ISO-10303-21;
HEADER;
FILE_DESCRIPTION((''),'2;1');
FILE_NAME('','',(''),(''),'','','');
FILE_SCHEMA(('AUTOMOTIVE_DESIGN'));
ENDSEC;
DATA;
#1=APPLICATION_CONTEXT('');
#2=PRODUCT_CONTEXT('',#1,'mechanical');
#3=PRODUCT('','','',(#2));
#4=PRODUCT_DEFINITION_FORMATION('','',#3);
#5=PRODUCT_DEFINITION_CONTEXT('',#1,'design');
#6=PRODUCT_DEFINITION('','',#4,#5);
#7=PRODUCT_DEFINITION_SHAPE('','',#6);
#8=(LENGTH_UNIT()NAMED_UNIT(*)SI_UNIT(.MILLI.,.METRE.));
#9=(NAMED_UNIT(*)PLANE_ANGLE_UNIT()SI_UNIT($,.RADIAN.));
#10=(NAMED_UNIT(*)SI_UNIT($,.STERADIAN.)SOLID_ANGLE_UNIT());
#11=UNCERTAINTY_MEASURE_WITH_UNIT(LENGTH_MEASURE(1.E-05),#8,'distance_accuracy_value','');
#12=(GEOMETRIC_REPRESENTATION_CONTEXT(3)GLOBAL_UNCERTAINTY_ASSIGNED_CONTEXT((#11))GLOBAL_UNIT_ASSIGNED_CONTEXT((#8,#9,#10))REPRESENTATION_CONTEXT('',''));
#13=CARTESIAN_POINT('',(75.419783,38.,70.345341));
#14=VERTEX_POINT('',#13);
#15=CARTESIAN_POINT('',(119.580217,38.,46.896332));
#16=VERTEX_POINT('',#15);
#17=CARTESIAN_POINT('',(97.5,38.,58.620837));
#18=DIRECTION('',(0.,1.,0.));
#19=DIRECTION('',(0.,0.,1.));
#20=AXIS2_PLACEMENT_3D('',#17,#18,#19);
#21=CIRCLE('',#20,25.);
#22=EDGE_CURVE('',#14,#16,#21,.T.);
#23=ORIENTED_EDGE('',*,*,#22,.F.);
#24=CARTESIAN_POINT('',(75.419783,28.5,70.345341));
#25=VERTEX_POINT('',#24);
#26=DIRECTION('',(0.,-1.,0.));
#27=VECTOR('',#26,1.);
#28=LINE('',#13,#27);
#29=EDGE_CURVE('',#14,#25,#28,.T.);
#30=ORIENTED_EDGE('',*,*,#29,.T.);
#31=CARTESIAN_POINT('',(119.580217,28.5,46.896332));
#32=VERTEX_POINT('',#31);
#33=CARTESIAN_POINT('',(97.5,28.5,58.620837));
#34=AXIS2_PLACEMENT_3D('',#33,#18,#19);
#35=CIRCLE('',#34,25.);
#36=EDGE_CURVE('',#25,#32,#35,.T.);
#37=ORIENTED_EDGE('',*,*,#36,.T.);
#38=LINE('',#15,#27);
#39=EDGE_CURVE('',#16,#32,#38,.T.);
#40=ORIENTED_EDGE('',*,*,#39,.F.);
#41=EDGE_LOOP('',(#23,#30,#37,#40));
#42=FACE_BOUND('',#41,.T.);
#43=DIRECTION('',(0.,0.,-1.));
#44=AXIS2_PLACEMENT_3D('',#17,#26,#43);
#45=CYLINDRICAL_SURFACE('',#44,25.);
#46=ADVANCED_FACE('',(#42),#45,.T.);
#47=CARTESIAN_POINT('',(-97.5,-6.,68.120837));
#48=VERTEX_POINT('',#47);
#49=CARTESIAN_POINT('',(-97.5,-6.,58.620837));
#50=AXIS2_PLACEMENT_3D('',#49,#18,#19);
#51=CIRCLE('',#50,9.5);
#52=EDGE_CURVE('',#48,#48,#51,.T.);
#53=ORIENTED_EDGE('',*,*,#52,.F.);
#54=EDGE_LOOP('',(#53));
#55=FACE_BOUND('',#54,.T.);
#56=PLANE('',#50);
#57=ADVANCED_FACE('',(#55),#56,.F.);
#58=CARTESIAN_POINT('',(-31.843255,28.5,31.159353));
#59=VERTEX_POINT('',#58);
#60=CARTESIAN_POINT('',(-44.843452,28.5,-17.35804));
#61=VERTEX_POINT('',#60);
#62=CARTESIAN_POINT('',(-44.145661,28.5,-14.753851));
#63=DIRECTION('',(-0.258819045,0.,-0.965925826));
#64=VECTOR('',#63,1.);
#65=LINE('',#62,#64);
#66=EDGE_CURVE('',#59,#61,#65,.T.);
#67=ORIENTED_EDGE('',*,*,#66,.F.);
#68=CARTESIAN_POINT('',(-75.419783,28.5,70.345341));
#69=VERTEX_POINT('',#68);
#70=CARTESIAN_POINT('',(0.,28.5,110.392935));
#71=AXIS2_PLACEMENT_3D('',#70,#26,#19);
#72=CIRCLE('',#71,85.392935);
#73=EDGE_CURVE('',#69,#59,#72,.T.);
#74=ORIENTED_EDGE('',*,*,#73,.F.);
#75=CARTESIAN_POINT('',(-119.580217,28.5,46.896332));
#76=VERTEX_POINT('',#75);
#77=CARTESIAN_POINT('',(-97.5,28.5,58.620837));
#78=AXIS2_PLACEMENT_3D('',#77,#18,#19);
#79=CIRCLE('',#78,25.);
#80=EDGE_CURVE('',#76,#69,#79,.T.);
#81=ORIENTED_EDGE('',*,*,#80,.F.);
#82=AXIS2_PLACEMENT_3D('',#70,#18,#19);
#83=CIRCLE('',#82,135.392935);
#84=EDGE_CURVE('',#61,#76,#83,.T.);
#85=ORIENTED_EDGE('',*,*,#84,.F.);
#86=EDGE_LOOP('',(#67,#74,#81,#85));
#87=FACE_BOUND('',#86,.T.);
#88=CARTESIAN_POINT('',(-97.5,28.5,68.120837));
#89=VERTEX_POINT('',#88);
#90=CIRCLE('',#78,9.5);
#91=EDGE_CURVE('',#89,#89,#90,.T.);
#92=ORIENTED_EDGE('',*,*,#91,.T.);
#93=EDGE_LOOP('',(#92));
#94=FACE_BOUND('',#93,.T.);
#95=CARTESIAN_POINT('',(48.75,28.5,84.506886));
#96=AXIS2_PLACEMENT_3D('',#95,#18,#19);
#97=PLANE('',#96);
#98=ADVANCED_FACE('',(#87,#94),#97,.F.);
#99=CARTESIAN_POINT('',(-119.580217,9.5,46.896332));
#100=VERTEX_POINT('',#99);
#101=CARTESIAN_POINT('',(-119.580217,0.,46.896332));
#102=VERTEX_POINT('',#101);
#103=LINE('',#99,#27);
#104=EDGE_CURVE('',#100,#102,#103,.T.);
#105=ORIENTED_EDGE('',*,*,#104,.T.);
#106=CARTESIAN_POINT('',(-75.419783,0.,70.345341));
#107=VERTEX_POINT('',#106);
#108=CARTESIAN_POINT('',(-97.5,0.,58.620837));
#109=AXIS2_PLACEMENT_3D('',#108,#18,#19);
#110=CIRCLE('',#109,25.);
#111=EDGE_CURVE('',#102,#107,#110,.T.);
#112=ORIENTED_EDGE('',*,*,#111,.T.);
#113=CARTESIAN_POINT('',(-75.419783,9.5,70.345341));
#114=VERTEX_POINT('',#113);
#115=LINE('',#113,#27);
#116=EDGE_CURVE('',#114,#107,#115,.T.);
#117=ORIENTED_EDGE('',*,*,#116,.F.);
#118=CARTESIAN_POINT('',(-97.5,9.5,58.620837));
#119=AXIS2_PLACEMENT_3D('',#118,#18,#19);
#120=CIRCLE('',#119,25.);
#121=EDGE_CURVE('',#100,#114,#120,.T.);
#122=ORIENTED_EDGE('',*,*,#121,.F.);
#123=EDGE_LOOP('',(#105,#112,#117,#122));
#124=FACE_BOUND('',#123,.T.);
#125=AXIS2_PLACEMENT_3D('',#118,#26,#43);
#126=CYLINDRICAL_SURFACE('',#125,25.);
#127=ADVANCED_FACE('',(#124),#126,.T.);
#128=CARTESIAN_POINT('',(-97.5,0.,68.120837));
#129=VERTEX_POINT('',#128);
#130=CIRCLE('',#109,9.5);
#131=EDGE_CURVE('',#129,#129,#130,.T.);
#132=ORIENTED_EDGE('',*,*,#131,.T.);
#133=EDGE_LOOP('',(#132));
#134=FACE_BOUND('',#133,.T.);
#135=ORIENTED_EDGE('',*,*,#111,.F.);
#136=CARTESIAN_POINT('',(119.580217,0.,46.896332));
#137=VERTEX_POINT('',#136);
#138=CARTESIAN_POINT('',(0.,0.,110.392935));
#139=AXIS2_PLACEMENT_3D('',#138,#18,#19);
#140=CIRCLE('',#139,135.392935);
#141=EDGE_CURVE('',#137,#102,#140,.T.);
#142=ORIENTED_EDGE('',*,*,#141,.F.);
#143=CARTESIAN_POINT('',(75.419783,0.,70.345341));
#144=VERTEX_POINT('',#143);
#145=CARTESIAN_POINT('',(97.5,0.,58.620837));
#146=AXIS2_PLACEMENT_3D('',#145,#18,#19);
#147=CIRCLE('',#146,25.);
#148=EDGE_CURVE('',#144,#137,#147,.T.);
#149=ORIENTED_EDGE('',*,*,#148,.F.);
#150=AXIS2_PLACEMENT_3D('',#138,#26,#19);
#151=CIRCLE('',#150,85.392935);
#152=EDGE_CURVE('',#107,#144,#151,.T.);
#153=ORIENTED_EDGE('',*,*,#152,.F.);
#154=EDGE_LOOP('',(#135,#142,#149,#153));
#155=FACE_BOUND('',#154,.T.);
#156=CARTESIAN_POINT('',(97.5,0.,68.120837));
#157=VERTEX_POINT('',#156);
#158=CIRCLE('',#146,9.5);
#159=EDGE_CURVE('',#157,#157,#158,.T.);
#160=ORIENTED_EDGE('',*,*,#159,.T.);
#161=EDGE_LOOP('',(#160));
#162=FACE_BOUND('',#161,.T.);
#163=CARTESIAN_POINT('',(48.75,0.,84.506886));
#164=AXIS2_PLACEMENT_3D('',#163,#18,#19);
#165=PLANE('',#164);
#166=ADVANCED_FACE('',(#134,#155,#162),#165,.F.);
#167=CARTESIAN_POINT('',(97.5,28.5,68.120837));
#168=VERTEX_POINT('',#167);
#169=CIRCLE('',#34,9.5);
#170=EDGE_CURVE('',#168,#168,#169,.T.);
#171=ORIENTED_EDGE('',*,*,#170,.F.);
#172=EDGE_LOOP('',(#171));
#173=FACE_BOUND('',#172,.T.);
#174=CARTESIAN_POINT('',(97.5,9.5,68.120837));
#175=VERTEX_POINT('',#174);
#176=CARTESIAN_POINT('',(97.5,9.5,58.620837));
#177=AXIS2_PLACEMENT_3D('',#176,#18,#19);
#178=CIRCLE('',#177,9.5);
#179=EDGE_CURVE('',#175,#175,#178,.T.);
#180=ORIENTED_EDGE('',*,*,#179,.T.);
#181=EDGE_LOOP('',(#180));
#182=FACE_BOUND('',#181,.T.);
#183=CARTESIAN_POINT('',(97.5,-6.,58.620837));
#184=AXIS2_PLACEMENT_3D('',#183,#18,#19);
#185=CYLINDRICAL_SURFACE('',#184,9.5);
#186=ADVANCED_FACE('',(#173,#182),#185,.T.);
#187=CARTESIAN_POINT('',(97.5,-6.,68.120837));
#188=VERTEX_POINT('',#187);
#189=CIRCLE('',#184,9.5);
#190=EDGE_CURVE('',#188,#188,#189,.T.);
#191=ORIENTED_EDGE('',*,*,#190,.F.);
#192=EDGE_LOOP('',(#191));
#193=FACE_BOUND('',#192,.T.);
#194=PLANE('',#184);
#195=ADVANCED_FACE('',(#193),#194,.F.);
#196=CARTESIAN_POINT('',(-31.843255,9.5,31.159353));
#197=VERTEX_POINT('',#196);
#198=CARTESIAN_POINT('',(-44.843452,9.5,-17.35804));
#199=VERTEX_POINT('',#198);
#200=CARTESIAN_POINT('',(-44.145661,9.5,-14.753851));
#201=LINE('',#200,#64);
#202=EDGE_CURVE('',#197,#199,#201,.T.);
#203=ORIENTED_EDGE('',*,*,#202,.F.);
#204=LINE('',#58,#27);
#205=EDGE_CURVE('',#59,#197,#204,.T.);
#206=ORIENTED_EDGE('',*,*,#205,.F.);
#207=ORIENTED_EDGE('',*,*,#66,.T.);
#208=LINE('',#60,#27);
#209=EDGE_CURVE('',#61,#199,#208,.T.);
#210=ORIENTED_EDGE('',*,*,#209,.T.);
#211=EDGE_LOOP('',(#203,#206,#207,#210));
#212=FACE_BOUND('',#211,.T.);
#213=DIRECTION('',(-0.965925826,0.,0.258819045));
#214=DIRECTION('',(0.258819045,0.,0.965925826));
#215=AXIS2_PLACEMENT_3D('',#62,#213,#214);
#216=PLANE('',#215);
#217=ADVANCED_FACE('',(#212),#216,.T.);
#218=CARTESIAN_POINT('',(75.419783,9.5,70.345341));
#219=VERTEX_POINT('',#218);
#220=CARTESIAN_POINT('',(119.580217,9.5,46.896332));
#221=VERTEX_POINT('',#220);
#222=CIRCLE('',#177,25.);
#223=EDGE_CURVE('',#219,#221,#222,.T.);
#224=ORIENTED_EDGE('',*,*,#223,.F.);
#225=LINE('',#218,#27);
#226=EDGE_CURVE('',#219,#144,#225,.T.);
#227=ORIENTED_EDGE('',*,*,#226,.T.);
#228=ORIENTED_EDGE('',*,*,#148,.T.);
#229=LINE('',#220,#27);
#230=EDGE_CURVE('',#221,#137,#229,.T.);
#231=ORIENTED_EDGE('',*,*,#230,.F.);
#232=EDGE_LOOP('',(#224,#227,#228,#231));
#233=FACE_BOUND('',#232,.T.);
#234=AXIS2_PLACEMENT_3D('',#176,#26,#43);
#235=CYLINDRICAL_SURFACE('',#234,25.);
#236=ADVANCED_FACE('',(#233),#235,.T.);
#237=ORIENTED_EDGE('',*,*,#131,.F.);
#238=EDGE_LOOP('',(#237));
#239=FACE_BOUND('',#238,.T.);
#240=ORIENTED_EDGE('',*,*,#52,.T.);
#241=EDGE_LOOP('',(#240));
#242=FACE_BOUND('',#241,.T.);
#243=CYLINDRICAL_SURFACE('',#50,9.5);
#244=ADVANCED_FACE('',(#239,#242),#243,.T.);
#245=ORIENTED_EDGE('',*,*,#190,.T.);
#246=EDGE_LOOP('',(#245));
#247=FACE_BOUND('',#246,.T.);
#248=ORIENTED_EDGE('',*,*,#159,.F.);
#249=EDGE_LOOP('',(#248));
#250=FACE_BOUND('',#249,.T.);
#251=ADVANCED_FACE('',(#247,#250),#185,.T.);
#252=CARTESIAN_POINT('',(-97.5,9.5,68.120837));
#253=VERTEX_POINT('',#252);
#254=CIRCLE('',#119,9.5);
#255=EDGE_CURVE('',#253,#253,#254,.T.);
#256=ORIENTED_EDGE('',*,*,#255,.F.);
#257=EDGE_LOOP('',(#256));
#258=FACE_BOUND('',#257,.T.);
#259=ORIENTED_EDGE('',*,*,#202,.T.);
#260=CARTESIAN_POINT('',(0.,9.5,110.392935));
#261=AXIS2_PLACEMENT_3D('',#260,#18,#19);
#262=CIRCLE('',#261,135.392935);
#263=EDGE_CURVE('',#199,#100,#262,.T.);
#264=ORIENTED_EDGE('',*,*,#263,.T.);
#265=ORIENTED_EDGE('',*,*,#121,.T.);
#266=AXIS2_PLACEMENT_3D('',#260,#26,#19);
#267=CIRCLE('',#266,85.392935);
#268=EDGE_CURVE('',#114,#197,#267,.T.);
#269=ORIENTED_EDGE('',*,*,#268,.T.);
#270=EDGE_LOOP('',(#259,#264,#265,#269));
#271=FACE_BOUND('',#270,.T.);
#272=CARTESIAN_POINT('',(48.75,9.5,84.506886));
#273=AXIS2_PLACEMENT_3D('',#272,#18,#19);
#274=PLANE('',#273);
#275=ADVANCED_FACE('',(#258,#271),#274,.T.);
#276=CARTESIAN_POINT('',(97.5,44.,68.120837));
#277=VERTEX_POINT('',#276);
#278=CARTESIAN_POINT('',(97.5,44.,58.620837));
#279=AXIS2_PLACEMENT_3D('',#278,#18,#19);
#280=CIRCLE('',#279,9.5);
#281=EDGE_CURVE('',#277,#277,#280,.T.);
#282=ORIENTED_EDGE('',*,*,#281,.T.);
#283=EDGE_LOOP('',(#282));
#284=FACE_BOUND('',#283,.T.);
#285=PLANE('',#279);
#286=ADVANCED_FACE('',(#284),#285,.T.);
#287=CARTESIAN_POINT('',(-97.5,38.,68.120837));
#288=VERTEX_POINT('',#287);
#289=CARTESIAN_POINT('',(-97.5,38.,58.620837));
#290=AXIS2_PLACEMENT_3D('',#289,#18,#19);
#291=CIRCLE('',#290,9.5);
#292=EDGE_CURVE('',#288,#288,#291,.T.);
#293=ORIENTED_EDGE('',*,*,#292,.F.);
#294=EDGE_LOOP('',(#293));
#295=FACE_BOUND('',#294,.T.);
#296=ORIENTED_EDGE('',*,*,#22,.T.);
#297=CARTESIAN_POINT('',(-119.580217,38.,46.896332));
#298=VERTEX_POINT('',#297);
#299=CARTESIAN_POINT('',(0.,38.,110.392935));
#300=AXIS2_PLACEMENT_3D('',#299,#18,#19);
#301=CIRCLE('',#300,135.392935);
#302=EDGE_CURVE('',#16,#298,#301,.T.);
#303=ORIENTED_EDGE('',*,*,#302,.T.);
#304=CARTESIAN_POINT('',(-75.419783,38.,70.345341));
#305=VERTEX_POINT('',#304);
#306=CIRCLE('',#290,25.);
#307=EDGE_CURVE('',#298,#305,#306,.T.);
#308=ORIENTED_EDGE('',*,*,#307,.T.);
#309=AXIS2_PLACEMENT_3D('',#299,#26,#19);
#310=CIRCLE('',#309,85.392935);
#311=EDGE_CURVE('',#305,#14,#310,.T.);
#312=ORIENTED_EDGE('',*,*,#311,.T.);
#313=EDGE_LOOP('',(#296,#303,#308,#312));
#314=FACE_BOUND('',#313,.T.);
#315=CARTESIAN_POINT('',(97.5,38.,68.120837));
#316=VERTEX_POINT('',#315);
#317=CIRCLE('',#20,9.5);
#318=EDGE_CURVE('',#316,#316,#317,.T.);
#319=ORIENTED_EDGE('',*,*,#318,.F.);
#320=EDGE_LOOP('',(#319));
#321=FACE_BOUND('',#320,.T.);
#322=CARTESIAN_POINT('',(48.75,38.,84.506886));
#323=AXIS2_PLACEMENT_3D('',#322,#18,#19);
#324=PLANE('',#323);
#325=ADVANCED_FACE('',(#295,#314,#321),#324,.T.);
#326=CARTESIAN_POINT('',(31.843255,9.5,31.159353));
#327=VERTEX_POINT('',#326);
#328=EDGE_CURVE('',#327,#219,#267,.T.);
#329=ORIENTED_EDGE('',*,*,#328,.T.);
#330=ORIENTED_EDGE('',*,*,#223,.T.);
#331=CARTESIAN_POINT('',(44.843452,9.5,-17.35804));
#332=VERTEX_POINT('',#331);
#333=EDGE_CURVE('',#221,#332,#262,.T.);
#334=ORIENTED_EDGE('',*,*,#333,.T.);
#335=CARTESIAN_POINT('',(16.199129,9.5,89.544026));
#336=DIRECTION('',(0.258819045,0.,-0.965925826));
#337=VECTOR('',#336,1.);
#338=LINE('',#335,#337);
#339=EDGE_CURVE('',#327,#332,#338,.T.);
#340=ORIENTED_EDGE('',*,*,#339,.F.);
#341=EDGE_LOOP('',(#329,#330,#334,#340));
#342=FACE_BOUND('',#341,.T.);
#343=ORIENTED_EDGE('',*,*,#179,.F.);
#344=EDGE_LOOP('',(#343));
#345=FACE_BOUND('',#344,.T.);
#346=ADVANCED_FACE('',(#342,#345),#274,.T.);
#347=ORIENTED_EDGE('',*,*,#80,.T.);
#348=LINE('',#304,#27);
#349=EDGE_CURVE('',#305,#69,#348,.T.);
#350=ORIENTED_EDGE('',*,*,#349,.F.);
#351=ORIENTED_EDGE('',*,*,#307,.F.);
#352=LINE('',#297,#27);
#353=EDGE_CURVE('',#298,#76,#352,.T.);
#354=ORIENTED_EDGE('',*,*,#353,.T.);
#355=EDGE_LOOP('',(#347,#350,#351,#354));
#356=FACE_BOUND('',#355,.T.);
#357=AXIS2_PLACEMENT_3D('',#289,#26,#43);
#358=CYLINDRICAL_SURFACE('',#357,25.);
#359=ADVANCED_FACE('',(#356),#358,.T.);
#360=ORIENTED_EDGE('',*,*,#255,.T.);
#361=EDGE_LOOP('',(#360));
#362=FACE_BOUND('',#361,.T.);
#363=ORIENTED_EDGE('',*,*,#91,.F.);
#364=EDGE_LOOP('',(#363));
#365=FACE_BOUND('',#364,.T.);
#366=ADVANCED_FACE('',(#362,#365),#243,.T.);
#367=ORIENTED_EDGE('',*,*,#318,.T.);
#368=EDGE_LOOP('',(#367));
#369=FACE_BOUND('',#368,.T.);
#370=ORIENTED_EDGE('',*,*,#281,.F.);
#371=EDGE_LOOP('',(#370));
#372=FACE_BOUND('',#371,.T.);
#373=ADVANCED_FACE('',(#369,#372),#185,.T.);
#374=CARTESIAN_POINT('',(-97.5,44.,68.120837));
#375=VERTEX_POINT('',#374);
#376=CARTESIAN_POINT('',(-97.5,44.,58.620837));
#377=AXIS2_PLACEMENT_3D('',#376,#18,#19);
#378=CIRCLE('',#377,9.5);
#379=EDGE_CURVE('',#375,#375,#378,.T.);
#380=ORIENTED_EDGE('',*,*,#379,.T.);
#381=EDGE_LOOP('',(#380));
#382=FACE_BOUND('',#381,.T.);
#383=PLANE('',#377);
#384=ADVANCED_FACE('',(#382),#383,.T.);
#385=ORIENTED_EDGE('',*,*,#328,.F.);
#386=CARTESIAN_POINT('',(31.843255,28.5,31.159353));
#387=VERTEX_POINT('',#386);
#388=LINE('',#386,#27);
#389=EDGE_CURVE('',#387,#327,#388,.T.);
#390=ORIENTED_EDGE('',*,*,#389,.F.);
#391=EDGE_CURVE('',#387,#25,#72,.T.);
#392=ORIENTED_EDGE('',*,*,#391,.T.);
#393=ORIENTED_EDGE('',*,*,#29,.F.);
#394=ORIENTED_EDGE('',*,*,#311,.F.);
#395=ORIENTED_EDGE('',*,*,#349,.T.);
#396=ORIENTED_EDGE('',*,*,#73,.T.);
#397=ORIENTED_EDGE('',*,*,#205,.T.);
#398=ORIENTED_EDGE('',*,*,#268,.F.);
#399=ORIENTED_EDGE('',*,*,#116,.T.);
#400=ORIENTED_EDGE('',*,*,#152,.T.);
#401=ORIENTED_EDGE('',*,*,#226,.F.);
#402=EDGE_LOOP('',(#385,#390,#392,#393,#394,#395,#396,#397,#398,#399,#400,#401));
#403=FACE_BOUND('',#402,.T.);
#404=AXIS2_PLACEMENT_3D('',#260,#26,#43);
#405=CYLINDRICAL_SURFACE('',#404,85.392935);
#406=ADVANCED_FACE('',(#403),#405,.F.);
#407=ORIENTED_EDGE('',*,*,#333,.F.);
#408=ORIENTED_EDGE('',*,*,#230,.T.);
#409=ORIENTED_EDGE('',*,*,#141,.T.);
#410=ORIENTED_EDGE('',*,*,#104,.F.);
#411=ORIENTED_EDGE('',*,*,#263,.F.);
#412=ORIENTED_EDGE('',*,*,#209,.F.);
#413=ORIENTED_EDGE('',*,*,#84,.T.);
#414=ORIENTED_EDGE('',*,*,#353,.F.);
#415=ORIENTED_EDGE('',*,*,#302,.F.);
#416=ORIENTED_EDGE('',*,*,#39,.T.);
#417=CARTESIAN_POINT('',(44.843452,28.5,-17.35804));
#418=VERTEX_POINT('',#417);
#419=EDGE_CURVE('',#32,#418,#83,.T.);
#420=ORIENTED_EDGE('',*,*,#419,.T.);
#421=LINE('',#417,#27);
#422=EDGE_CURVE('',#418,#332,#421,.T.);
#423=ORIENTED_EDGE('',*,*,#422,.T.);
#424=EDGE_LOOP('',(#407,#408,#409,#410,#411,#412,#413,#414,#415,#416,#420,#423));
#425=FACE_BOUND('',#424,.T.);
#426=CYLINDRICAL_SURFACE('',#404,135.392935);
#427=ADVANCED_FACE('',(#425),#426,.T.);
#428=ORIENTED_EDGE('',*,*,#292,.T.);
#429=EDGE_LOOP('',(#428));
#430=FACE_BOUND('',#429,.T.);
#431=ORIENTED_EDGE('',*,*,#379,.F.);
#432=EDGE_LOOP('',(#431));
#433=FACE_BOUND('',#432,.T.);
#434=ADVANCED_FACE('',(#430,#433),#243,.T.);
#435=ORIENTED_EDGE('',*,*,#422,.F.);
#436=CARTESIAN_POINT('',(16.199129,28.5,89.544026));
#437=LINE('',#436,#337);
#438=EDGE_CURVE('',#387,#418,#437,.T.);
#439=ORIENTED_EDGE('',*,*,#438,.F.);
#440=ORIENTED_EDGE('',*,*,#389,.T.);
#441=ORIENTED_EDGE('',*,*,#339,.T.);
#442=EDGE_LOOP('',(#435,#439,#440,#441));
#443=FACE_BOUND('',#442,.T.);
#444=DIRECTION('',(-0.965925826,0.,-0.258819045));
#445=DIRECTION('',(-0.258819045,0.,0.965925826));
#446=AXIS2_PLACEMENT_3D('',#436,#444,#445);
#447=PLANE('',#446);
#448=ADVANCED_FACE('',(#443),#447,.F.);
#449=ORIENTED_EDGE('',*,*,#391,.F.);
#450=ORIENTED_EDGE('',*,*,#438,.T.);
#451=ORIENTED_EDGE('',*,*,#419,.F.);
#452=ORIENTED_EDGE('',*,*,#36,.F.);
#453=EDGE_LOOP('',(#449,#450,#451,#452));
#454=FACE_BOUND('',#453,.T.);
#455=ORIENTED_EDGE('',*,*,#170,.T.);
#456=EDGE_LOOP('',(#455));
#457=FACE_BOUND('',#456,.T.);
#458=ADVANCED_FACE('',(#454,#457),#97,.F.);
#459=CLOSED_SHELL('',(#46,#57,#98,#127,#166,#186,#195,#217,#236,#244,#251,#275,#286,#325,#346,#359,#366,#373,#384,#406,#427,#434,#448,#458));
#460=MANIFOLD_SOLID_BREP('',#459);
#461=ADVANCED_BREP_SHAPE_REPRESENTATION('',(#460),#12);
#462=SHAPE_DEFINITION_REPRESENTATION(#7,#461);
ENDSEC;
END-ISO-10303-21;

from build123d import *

# Parameters (mm, degrees)
BOSS_EXTRUDE1_DEPTH = 9.5
BOSS_EXTRUDE2_DEPTH = 19
BOSS_EXTRUDE3_DEPTH = 9.5
SKETCH5_R           = 9.5
CUT_EXTRUDE1_DEPTH  = 154.110072724
BOSS_EXTRUDE4_START = 6
SKETCH5_2_R         = 9.5
BOSS_EXTRUDE4_DEPTH = 50


with BuildPart() as part:
    # Sketch2 → Boss-Extrude1 (new body)
    with BuildSketch(Plane(origin=(0, 0, 0), x_dir=(1, 0, 0), z_dir=(0, 1, 0))):
        with BuildLine():
            ThreePointArc((119.580217293, -46.896332496), (0, 25), (-119.580217293, -46.896332496))
            ThreePointArc((-119.580217293, -46.896332496), (-109.224504437, -80.701054226), (-75.419782707, -70.34534137))
            ThreePointArc((-75.419782707, -70.34534137), (0, -25), (75.419782707, -70.34534137))
            ThreePointArc((75.419782707, -70.34534137), (109.224504437, -80.701054226), (119.580217293, -46.896332496))
        make_face()
    extrude(amount=BOSS_EXTRUDE1_DEPTH)

    # Sketch3 → Boss-Extrude2 (add)
    with BuildSketch(Plane(origin=(0, 9.5, 0), x_dir=(1, 0, 0), z_dir=(0, 1, 0))):
        with BuildLine():
            Line((-44.843451744, 17.358040295), (-31.843255272, -31.159353446))
            ThreePointArc((-31.843255272, -31.159353446), (0, -25), (31.843255272, -31.159353446))
            Line((31.843255272, -31.159353446), (44.843451744, 17.358040295))
            ThreePointArc((44.843451744, 17.358040295), (0, 25), (-44.843451744, 17.358040295))
        make_face()
    extrude(amount=BOSS_EXTRUDE2_DEPTH)

    # Sketch4 → Boss-Extrude3 (add)
    with BuildSketch(Plane(origin=(0, 28.5, 0), x_dir=(1, 0, 0), z_dir=(0, 1, 0))):
        with BuildLine():
            ThreePointArc((119.580217293, -46.896332496), (0, 25), (-119.580217293, -46.896332496))
            ThreePointArc((-119.580217293, -46.896332496), (-109.224504437, -80.701054226), (-75.419782707, -70.34534137))
            ThreePointArc((-75.419782707, -70.34534137), (0, -25), (75.419782707, -70.34534137))
            ThreePointArc((75.419782707, -70.34534137), (109.224504437, -80.701054226), (119.580217293, -46.896332496))
        make_face()
    extrude(amount=BOSS_EXTRUDE3_DEPTH)

    # Sketch5 → Cut-Extrude1 (cut, through all)
    with BuildSketch(Plane(origin=(0, 38, 0), x_dir=(1, 0, 0), z_dir=(0, 1, 0))):
        with Locations((-97.5, -58.620836933)):
            Circle(SKETCH5_R)
        with Locations((97.5, -58.620836933)):
            Circle(SKETCH5_R)
    extrude(amount=-CUT_EXTRUDE1_DEPTH, mode=Mode.SUBTRACT)

    # Sketch5<2> → Boss-Extrude4 (add)
    with BuildSketch(Plane(origin=(0, 38, 0), x_dir=(1, 0, 0), z_dir=(0, 1, 0)).offset(BOSS_EXTRUDE4_START)):
        with Locations((-97.5, -58.620836933)):
            Circle(SKETCH5_2_R)
        with Locations((97.5, -58.620836933)):
            Circle(SKETCH5_2_R)
    extrude(amount=-BOSS_EXTRUDE4_DEPTH)


solid = part.part
